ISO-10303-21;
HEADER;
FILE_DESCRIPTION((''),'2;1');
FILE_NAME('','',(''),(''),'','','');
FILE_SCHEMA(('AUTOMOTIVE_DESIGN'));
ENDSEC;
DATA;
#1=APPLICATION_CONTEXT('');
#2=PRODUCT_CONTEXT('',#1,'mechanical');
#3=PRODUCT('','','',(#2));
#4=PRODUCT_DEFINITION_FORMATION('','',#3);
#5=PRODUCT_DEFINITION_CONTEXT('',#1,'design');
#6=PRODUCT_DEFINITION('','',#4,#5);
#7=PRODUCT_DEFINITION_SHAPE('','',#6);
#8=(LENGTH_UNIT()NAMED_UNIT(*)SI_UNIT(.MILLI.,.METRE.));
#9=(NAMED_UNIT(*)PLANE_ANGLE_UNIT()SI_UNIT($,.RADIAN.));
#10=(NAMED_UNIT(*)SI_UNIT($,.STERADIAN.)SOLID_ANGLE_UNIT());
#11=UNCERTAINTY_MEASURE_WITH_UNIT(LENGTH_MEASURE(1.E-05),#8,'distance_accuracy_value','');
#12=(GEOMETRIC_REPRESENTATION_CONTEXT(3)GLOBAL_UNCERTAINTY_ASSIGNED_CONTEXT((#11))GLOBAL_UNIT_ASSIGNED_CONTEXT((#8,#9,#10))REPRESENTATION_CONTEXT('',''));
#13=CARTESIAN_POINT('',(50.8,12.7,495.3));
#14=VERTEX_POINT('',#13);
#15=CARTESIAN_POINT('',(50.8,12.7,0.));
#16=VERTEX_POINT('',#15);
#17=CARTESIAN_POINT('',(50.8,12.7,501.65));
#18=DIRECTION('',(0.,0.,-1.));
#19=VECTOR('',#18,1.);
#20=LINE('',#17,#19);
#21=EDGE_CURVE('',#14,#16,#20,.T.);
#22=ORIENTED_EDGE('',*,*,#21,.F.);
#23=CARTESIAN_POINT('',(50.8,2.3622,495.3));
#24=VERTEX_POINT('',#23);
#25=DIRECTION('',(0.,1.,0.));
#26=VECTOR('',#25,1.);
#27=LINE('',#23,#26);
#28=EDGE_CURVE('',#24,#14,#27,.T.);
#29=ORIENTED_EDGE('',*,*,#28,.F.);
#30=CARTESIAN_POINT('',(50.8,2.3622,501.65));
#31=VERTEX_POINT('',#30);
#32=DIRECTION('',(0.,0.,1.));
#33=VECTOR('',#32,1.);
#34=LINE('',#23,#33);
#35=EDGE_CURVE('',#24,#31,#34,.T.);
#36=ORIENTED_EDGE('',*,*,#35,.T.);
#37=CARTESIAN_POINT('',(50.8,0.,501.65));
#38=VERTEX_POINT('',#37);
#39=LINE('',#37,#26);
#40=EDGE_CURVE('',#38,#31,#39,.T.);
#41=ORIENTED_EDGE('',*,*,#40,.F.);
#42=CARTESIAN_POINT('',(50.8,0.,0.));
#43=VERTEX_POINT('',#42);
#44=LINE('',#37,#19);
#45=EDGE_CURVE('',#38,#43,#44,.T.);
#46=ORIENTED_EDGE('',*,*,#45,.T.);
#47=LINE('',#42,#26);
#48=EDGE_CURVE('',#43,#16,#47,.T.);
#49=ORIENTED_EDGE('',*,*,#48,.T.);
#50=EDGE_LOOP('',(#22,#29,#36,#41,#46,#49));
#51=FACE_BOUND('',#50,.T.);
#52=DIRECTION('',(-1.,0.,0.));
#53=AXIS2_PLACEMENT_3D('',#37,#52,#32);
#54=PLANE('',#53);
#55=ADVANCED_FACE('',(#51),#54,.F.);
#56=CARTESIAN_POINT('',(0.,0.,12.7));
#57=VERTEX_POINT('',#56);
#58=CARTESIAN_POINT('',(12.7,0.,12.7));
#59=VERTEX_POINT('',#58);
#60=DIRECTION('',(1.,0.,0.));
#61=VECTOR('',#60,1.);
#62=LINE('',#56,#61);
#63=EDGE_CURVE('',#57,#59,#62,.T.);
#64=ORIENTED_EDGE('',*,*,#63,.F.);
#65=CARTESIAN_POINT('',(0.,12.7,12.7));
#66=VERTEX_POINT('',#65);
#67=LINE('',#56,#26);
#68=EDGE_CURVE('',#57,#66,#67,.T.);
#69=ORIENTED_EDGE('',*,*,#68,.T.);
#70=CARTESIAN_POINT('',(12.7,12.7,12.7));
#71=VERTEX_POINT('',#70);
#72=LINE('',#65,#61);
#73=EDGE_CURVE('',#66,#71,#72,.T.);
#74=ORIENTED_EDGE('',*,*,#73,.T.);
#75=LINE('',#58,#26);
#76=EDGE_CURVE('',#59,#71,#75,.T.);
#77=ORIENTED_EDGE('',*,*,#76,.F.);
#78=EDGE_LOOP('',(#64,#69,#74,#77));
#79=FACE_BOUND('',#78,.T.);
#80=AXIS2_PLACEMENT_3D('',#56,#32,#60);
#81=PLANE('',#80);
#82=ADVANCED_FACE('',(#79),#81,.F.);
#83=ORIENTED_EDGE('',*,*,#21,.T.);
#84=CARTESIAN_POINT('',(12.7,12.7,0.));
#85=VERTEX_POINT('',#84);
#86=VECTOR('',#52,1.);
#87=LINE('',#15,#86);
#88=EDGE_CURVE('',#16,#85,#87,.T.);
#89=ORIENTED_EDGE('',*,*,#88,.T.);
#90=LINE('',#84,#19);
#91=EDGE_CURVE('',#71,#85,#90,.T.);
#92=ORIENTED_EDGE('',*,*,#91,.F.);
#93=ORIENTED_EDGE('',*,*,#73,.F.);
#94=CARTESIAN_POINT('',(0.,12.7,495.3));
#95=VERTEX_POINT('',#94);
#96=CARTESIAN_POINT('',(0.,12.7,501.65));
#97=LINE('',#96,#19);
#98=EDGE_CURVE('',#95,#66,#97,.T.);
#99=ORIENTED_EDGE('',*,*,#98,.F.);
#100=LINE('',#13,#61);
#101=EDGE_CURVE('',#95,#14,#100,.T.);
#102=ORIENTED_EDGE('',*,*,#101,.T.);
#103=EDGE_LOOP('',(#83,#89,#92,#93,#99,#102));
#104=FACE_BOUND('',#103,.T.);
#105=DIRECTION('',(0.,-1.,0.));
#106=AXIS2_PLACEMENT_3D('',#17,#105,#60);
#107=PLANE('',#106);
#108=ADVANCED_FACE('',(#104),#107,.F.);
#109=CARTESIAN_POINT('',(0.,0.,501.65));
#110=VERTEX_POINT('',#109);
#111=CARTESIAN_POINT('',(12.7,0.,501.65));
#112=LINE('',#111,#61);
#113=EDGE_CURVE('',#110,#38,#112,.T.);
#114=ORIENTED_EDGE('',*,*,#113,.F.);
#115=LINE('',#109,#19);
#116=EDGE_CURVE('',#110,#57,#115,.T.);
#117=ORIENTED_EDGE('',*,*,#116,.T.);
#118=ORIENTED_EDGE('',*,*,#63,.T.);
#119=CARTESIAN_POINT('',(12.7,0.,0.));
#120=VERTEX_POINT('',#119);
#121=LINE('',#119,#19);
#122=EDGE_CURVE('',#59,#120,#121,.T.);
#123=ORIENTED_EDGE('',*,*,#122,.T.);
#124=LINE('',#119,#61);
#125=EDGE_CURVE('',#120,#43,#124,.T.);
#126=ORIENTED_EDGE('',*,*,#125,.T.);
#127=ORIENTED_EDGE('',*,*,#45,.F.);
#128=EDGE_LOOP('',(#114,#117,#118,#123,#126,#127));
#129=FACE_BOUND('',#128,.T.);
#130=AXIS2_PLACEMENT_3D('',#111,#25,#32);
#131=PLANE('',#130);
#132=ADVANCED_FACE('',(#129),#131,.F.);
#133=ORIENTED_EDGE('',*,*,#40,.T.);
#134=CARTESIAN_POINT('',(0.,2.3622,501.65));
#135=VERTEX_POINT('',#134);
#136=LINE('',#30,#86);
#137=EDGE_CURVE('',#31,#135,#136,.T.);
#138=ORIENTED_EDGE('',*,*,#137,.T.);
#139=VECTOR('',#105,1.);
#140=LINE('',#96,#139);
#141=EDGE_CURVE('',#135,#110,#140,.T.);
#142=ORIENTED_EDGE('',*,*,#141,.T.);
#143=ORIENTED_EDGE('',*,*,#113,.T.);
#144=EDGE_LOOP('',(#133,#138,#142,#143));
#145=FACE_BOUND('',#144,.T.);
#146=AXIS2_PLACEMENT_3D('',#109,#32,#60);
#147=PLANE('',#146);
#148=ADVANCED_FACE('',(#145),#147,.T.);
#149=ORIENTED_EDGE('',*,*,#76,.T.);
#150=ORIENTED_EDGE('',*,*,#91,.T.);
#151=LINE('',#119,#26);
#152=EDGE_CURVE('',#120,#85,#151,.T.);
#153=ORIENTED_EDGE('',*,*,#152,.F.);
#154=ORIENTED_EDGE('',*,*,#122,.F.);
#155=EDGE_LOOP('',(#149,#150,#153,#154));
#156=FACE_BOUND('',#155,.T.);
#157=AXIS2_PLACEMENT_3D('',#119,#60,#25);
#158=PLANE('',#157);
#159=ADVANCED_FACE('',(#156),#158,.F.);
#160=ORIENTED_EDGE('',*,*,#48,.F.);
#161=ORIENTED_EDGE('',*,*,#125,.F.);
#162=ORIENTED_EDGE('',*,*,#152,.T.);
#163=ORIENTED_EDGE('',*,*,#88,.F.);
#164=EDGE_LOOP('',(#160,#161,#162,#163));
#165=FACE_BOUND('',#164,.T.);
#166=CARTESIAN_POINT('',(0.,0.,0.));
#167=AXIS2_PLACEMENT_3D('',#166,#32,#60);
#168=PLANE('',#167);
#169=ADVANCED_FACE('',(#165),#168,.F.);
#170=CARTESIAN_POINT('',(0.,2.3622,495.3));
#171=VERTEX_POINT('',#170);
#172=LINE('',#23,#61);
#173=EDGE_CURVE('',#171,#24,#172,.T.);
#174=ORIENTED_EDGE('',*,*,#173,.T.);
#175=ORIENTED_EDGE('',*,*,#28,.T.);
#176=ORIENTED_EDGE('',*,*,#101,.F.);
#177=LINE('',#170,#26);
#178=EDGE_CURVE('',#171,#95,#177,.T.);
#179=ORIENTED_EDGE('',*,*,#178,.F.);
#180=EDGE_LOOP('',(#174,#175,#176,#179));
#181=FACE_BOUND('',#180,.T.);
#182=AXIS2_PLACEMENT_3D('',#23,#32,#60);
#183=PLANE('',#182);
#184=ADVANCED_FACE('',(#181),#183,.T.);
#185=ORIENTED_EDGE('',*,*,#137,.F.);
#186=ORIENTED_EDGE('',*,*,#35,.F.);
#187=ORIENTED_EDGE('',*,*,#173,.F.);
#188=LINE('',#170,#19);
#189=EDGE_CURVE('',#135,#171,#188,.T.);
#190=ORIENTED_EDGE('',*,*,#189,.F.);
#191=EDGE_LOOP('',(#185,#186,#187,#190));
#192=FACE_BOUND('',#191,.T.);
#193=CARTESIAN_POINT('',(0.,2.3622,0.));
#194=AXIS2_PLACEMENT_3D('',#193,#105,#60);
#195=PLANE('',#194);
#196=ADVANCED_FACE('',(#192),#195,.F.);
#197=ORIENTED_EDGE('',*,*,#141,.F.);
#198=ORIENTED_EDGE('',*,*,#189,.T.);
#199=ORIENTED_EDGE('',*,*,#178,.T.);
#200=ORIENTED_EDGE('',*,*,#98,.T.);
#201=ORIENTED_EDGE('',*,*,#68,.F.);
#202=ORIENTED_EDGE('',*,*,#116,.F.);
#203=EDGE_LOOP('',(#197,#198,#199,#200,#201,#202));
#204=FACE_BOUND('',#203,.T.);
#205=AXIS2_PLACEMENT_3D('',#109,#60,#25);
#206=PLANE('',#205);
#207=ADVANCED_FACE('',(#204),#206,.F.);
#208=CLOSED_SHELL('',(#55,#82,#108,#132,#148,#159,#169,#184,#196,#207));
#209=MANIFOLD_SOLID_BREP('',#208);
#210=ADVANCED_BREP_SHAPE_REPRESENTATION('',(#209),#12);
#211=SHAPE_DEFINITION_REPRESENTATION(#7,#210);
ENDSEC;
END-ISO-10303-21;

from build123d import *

# Parameters (mm, degrees)
BOSS_EXTRUDE1_DEPTH = 501.65
SKETCH2_W           = 50.8
SKETCH2_H           = 6.35
CUT_EXTRUDE1_DEPTH  = 10.3378
SKETCH3_W           = 12.7
SKETCH3_H           = 12.7
CUT_EXTRUDE2_DEPTH  = 13.7


with BuildPart() as part:
    # Sketch1 → Boss-Extrude1 (new body)
    with BuildSketch(Plane.XY):
        Polygon((0, 12.7), (0, 6.35), (0, 0), (12.7, 0), (50.8, 0), (50.8, 12.7), align=None)
    extrude(amount=BOSS_EXTRUDE1_DEPTH)

    # Sketch2 → Cut-Extrude1 (cut)
    with BuildSketch(Plane.XZ.offset(-12.7)):
        with Locations((25.4, 498.475)):
            Rectangle(SKETCH2_W, SKETCH2_H)
    extrude(amount=CUT_EXTRUDE1_DEPTH, mode=Mode.SUBTRACT)

    # Sketch3 → Cut-Extrude2 (cut, through all)
    with BuildSketch(Plane(origin=(0, 12.7, 0), x_dir=(1, 0, 0), z_dir=(0, 1, 0))):
        with Locations((6.35, -6.35)):
            Rectangle(SKETCH3_W, SKETCH3_H)
    extrude(amount=-CUT_EXTRUDE2_DEPTH, mode=Mode.SUBTRACT)


solid = part.part
